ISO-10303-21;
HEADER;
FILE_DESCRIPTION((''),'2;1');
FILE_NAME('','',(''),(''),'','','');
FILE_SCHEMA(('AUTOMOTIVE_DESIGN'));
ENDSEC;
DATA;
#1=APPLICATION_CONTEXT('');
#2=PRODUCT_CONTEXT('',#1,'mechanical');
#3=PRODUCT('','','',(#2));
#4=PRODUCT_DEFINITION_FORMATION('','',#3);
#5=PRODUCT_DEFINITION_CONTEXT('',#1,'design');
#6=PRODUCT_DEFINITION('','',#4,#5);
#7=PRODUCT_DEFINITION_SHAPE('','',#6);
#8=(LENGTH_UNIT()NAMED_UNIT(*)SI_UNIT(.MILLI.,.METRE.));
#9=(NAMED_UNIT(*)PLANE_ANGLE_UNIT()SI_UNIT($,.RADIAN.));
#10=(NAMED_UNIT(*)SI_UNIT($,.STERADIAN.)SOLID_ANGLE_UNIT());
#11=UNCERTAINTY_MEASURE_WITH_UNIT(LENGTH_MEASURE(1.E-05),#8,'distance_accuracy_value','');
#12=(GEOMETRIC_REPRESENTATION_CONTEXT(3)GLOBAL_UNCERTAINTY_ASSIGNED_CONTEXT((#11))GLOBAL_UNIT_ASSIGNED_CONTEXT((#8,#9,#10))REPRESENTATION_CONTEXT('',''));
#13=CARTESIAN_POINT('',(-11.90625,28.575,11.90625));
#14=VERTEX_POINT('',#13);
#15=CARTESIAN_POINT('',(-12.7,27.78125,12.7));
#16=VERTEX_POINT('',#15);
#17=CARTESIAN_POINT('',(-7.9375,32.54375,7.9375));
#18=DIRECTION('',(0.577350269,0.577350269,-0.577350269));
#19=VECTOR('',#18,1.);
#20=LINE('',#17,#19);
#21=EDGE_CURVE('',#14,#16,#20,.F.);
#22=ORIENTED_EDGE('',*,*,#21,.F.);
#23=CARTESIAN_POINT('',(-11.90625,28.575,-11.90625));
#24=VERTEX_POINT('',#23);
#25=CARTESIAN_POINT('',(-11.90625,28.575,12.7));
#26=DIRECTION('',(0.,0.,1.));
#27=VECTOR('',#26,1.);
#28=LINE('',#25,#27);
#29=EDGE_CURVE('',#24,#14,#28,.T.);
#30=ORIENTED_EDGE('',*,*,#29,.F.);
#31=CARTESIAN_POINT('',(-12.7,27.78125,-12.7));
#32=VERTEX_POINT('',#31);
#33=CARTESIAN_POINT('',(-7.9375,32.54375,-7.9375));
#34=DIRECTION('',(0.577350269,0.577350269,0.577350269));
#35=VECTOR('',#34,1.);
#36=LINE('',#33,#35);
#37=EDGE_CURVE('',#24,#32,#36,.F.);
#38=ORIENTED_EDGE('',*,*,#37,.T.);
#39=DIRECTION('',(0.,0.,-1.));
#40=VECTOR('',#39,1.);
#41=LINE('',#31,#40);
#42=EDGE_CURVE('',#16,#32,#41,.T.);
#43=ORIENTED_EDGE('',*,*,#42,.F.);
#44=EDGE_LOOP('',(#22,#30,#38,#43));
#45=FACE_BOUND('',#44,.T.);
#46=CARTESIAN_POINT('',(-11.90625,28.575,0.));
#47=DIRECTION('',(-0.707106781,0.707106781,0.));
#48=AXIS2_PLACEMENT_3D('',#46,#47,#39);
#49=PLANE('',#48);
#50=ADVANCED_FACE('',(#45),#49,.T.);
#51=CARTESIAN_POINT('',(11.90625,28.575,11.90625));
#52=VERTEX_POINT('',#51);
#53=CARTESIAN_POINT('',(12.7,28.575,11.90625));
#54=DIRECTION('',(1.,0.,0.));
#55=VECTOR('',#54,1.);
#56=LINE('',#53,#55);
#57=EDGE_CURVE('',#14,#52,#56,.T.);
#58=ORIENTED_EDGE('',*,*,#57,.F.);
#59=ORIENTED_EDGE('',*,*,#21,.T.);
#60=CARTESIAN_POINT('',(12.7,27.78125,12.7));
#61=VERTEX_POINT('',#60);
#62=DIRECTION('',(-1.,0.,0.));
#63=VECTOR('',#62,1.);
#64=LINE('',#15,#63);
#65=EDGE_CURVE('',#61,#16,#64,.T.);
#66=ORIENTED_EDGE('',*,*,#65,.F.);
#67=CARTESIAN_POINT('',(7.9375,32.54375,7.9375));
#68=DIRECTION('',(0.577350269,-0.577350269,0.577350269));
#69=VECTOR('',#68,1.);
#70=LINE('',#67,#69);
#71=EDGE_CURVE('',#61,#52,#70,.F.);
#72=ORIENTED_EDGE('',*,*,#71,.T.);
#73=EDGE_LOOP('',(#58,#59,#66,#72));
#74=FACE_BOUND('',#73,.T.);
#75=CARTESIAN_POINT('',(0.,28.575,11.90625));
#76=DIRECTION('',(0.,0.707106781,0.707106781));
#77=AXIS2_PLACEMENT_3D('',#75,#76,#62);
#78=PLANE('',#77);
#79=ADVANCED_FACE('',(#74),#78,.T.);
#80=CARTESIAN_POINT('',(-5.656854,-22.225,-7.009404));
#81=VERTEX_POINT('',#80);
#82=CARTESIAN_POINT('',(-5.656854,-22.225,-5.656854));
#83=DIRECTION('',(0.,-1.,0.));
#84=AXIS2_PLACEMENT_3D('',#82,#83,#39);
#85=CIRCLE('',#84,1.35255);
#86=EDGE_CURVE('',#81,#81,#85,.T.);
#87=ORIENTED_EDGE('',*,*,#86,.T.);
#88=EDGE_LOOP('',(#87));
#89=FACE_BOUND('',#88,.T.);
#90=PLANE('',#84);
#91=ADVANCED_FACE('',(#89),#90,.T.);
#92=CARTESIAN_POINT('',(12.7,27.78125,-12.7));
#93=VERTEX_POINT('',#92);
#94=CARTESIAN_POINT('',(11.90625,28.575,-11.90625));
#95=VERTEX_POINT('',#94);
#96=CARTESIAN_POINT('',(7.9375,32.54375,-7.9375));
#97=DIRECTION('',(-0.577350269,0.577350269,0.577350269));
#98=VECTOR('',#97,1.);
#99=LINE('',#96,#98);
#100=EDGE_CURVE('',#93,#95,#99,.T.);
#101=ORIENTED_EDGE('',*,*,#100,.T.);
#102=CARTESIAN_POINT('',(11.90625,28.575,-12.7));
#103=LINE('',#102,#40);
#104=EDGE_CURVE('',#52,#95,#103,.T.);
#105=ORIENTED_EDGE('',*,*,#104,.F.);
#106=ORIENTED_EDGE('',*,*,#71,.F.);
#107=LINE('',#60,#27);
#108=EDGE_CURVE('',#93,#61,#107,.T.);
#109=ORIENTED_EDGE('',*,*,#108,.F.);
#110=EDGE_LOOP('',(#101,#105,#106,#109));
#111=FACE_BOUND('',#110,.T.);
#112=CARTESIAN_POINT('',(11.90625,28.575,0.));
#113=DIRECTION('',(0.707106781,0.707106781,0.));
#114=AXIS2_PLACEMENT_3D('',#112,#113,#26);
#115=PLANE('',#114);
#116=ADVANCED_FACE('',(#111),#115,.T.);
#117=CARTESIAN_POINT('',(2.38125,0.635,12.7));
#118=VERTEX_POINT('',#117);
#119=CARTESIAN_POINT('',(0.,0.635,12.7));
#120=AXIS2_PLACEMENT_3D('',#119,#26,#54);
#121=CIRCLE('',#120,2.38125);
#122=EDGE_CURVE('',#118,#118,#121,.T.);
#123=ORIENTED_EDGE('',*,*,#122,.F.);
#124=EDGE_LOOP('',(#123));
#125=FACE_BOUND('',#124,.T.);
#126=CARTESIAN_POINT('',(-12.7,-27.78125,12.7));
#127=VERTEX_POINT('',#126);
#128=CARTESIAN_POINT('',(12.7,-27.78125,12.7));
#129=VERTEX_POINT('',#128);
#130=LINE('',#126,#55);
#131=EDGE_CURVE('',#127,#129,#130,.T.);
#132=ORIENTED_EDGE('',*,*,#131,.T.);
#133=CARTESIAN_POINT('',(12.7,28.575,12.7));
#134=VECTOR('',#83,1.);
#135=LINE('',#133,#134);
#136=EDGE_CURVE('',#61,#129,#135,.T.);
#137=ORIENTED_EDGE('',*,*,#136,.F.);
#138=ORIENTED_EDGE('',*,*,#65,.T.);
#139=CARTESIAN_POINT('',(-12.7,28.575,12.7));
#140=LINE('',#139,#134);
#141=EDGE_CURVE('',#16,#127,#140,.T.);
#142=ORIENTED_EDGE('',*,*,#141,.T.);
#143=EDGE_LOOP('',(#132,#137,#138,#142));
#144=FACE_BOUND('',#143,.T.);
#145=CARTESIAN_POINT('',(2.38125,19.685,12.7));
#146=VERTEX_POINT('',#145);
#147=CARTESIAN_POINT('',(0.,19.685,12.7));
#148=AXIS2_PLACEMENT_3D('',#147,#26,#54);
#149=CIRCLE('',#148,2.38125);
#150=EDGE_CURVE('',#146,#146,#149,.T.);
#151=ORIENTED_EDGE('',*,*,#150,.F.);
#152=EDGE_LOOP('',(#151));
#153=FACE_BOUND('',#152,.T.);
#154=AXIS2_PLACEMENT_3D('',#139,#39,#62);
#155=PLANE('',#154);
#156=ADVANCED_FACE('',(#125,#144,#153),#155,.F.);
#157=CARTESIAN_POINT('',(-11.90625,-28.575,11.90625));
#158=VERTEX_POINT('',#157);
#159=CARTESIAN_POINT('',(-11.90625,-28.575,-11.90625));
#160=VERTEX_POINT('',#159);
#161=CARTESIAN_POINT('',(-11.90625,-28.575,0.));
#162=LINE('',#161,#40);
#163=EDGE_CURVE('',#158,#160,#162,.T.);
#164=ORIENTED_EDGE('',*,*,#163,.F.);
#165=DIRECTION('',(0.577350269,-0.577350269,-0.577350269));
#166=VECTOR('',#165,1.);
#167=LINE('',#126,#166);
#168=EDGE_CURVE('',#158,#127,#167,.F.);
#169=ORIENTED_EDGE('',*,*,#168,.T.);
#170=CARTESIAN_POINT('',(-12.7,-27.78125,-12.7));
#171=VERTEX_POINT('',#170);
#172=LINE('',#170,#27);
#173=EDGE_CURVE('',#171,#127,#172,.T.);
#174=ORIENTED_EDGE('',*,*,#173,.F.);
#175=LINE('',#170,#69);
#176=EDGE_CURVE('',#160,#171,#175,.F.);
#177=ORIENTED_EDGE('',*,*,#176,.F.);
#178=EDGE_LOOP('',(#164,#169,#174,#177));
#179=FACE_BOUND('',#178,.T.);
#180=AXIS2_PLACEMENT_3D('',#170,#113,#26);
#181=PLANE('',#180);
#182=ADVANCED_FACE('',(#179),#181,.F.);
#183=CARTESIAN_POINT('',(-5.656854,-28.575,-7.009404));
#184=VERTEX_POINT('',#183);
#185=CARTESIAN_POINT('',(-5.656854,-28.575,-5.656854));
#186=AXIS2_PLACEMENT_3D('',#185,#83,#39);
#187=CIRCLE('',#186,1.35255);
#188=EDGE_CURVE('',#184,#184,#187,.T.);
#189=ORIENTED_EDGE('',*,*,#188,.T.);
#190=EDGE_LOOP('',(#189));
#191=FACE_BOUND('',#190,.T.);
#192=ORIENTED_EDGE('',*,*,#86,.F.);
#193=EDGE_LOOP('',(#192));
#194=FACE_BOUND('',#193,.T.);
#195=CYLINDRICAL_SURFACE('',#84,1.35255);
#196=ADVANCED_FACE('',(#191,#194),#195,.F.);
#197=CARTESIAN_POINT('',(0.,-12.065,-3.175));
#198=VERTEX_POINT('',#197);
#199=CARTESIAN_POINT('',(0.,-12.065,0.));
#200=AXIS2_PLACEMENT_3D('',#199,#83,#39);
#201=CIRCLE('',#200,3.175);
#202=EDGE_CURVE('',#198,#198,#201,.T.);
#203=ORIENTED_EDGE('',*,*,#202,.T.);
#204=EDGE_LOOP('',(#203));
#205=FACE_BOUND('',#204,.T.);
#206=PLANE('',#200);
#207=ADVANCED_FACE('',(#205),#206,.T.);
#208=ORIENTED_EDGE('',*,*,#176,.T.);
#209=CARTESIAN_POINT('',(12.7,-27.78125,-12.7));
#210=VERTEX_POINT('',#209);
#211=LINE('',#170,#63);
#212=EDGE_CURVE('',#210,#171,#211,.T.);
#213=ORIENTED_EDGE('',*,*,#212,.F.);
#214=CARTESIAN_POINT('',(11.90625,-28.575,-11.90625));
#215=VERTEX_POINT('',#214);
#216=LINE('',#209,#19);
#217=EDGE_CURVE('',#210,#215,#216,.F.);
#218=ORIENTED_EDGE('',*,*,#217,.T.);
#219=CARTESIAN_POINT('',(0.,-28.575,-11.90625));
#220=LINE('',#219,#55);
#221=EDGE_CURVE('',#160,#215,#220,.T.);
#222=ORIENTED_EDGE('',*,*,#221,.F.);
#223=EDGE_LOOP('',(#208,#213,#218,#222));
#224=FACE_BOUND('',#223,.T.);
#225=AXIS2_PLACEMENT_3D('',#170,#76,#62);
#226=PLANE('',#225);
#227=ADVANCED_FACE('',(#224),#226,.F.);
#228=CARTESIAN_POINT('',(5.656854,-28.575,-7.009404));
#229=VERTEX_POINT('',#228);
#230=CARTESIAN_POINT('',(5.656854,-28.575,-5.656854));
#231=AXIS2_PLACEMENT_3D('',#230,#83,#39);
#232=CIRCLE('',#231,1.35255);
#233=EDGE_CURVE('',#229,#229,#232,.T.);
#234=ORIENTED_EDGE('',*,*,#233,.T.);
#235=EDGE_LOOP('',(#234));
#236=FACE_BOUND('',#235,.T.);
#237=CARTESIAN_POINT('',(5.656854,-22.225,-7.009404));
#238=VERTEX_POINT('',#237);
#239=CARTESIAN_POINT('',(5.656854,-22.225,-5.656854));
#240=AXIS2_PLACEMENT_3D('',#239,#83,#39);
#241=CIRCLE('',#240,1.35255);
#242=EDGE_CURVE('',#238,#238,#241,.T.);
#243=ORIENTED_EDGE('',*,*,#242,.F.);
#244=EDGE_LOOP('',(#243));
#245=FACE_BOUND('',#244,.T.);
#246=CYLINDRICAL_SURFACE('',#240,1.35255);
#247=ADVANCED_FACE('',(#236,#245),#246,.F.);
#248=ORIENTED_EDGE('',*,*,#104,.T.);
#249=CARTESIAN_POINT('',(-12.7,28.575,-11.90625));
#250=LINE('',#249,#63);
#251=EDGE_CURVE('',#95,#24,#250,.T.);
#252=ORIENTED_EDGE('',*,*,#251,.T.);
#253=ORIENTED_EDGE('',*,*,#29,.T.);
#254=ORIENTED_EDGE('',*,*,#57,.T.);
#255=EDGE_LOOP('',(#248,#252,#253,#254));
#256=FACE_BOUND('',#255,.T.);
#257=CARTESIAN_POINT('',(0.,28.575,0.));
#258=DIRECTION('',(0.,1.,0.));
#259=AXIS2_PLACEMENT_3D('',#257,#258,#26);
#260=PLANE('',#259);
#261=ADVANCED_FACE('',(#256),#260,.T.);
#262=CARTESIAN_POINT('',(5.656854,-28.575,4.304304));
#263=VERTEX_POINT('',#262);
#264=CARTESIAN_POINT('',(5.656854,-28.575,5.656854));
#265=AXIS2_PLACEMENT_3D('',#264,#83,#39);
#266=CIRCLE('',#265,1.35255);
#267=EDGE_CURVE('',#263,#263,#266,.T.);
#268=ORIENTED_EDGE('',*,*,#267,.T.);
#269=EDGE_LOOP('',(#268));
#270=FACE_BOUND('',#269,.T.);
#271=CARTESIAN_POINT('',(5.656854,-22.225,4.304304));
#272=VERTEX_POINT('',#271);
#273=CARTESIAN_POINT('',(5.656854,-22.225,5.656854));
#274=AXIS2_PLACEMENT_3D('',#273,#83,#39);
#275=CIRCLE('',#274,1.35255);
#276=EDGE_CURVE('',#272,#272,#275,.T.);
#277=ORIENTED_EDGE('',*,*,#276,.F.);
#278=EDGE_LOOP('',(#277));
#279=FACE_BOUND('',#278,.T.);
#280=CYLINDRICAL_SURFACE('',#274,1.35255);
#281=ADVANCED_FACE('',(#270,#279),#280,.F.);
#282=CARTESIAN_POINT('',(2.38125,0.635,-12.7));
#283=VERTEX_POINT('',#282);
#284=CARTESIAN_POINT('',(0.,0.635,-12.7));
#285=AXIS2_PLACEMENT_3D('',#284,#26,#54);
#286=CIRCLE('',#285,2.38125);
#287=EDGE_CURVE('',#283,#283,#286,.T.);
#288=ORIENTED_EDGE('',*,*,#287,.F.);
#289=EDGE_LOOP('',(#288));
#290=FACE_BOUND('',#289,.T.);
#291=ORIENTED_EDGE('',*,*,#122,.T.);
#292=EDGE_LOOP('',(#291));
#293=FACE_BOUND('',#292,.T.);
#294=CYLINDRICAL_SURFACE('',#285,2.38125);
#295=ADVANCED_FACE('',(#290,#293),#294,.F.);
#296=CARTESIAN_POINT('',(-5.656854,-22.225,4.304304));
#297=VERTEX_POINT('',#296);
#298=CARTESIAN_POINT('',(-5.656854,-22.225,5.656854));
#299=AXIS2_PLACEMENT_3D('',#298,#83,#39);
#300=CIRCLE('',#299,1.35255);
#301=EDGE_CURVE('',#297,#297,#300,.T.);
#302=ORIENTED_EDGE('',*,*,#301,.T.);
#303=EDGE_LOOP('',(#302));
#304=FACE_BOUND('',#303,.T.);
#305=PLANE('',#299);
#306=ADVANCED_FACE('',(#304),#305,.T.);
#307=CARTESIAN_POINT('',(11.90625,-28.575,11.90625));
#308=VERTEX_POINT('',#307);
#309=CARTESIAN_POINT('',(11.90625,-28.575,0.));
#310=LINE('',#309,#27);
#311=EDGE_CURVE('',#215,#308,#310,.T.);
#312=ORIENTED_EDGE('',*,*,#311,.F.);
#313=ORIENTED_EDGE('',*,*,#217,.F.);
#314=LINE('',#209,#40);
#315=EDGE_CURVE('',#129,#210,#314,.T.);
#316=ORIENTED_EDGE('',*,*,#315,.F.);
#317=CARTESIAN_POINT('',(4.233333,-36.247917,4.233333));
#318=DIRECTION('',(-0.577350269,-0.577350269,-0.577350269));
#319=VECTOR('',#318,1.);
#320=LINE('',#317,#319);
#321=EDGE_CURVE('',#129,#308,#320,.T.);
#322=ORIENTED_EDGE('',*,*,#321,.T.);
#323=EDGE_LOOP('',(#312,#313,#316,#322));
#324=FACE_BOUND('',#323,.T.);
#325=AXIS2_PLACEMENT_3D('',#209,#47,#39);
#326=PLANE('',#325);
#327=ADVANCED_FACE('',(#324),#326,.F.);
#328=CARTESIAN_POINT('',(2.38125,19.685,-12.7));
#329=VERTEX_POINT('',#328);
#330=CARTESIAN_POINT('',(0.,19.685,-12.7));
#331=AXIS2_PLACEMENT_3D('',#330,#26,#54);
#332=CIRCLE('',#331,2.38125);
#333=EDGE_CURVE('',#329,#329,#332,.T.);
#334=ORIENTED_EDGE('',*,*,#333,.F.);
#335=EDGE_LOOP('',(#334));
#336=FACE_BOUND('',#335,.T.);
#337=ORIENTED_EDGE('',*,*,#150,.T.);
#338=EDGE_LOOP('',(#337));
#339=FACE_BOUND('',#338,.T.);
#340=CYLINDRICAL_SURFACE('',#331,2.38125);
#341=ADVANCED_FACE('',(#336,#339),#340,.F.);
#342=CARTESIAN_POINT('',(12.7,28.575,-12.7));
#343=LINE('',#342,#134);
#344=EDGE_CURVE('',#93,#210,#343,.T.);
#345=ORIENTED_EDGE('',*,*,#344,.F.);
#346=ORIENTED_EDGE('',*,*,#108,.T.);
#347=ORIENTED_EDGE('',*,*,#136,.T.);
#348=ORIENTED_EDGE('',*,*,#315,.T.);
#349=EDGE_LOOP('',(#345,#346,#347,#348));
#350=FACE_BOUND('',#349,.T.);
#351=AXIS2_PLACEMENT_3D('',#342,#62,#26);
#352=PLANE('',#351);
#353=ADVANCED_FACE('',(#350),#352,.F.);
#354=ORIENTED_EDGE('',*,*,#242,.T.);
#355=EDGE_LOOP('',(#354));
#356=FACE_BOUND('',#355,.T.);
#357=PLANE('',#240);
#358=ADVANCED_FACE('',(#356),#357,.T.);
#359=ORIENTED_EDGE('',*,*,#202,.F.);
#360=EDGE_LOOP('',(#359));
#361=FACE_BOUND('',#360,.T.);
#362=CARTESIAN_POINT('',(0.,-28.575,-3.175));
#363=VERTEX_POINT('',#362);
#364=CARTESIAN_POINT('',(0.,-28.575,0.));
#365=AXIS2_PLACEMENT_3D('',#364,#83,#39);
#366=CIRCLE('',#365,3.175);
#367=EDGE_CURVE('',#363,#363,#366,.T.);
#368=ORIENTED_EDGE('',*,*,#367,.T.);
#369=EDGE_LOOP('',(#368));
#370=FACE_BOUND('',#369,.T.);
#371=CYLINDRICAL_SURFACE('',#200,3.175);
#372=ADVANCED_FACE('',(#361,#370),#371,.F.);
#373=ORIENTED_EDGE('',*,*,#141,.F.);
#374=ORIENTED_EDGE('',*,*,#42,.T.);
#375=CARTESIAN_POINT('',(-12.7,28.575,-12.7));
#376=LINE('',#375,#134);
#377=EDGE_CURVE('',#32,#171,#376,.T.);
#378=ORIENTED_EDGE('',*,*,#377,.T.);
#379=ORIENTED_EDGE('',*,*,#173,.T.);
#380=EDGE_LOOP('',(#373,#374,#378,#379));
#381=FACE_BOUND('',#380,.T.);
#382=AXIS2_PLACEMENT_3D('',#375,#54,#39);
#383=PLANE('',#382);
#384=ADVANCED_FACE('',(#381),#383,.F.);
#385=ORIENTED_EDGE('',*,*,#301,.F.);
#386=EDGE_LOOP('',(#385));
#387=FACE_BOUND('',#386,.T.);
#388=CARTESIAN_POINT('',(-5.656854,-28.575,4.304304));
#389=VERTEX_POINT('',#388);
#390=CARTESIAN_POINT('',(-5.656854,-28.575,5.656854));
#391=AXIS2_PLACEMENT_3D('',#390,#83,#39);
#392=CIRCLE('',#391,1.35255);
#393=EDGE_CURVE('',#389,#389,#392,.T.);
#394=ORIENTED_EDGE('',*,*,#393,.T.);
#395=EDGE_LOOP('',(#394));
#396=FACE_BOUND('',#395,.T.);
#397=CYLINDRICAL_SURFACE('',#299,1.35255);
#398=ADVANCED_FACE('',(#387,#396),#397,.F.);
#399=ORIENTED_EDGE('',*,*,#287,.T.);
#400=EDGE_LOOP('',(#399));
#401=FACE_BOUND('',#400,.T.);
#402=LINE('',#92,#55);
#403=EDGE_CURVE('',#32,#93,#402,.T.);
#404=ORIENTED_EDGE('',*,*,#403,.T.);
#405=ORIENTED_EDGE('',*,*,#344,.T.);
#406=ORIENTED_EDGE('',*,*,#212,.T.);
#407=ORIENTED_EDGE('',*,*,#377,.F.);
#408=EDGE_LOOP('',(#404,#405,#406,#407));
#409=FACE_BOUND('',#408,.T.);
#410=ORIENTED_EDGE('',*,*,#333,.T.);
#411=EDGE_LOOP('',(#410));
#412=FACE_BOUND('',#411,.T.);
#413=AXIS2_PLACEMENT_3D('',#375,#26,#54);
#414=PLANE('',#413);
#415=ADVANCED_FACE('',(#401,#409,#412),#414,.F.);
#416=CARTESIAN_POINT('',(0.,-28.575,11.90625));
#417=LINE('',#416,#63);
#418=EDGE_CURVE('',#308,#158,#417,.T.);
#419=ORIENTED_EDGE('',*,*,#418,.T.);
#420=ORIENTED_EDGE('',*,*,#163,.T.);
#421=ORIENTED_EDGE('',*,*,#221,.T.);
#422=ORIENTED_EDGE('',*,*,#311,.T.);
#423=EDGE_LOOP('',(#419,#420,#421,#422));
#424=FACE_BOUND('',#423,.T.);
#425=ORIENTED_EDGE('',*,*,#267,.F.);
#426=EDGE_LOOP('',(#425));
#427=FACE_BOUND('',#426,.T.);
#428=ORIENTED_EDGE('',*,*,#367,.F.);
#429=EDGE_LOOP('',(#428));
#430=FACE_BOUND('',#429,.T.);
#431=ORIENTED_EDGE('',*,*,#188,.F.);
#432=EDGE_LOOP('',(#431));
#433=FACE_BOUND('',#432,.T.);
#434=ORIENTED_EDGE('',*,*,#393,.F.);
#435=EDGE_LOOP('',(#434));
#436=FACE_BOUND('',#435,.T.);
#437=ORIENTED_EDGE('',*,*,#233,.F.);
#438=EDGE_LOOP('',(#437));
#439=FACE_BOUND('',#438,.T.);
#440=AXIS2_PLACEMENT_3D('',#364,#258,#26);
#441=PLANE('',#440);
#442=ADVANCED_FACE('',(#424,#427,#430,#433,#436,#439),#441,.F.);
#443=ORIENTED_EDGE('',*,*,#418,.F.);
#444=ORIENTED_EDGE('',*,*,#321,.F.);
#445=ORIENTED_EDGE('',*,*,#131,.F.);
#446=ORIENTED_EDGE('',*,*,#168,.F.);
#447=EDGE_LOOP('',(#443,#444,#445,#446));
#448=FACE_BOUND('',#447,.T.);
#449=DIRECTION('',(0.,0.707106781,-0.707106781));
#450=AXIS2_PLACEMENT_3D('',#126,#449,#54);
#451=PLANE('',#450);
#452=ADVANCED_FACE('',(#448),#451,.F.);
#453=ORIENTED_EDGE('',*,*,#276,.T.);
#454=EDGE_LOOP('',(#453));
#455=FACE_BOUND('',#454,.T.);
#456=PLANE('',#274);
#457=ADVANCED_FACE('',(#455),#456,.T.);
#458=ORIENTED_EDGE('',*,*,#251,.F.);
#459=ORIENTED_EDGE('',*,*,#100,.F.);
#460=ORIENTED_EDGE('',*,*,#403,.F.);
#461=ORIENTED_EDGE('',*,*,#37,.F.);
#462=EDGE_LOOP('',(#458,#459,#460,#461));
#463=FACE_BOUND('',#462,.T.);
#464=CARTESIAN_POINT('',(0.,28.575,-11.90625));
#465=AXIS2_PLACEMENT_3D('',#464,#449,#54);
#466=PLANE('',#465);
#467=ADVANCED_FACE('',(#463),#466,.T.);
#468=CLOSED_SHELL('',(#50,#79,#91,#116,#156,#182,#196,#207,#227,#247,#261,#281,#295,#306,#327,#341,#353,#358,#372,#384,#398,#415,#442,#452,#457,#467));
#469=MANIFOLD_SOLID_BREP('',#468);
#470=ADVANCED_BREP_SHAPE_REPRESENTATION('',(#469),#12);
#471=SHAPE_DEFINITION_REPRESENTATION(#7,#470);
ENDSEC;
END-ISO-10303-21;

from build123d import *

# Parameters (mm, degrees)
SKETCH1_W               = 25.4
SKETCH1_H               = 25.4
BOSS_EXTRUDE1_DEPTH     = 28.575
SKETCH2_R               = 3.175
CUT_EXTRUDE1_DEPTH      = 16.51
SKETCH5_R               = 2.38125
CUT_EXTRUDE3_DEPTH      = 13.7
CUT_EXTRUDE3_DEPTH_BACK = 13.7
CHAMFER1_SIZE           = 0.79375
SKETCH6_R               = 1.35255
CUT_EXTRUDE4_DEPTH      = 6.35


with BuildPart() as part:
    # Sketch1 → Boss-Extrude1 (new body, symmetric)
    with BuildSketch(Plane(origin=(0, 0, 0), x_dir=(1, 0, 0), z_dir=(0, 1, 0))):
        Rectangle(SKETCH1_W, SKETCH1_H)
    extrude(amount=BOSS_EXTRUDE1_DEPTH, both=True)

    # Sketch2 → Cut-Extrude1 (cut)
    with BuildSketch(Plane(origin=(0, -28.575, 0), x_dir=(-1, 0, 0), z_dir=(0, -1, 0))):
        Circle(SKETCH2_R)
    extrude(amount=-CUT_EXTRUDE1_DEPTH, mode=Mode.SUBTRACT)

    # Sketch5 → Cut-Extrude3 (cut, two sides)
    with BuildSketch(Plane.XY) as cut_extrude3_sk:
        with Locations((0, 0.635)):
            Circle(SKETCH5_R)
        with Locations((0, 19.685)):
            Circle(SKETCH5_R)
    extrude(amount=CUT_EXTRUDE3_DEPTH, mode=Mode.SUBTRACT)
    extrude(cut_extrude3_sk.sketch, amount=-CUT_EXTRUDE3_DEPTH_BACK, mode=Mode.SUBTRACT)

    # Chamfer1
    chamfer1_edges = [part.edges().sort_by_distance(p)[0] for p in [
        (-12.7, 28.575, 0),
        (0, 28.575, 12.7),
        (12.7, 28.575, 0),
        (0, -28.575, 12.7),
        (-12.7, -28.575, 0),
        (0, -28.575, -12.7),
        (12.7, -28.575, 0),
        (0, 28.575, -12.7),
    ]]
    chamfer(chamfer1_edges, length=CHAMFER1_SIZE)

    # Sketch6 → Cut-Extrude4 (cut)
    with BuildSketch(Plane(origin=(0, -28.575, 0), x_dir=(-1, 0, 0), z_dir=(0, -1, 0))):
        with Locations((-5.656854249, 5.656854249)):
            Circle(SKETCH6_R)
        with Locations((5.656854249, 5.656854249)):
            Circle(SKETCH6_R)
        with Locations((5.656854249, -5.656854249)):
            Circle(SKETCH6_R)
        with Locations((-5.656854249, -5.656854249)):
            Circle(SKETCH6_R)
    extrude(amount=-CUT_EXTRUDE4_DEPTH, mode=Mode.SUBTRACT)


solid = part.part
